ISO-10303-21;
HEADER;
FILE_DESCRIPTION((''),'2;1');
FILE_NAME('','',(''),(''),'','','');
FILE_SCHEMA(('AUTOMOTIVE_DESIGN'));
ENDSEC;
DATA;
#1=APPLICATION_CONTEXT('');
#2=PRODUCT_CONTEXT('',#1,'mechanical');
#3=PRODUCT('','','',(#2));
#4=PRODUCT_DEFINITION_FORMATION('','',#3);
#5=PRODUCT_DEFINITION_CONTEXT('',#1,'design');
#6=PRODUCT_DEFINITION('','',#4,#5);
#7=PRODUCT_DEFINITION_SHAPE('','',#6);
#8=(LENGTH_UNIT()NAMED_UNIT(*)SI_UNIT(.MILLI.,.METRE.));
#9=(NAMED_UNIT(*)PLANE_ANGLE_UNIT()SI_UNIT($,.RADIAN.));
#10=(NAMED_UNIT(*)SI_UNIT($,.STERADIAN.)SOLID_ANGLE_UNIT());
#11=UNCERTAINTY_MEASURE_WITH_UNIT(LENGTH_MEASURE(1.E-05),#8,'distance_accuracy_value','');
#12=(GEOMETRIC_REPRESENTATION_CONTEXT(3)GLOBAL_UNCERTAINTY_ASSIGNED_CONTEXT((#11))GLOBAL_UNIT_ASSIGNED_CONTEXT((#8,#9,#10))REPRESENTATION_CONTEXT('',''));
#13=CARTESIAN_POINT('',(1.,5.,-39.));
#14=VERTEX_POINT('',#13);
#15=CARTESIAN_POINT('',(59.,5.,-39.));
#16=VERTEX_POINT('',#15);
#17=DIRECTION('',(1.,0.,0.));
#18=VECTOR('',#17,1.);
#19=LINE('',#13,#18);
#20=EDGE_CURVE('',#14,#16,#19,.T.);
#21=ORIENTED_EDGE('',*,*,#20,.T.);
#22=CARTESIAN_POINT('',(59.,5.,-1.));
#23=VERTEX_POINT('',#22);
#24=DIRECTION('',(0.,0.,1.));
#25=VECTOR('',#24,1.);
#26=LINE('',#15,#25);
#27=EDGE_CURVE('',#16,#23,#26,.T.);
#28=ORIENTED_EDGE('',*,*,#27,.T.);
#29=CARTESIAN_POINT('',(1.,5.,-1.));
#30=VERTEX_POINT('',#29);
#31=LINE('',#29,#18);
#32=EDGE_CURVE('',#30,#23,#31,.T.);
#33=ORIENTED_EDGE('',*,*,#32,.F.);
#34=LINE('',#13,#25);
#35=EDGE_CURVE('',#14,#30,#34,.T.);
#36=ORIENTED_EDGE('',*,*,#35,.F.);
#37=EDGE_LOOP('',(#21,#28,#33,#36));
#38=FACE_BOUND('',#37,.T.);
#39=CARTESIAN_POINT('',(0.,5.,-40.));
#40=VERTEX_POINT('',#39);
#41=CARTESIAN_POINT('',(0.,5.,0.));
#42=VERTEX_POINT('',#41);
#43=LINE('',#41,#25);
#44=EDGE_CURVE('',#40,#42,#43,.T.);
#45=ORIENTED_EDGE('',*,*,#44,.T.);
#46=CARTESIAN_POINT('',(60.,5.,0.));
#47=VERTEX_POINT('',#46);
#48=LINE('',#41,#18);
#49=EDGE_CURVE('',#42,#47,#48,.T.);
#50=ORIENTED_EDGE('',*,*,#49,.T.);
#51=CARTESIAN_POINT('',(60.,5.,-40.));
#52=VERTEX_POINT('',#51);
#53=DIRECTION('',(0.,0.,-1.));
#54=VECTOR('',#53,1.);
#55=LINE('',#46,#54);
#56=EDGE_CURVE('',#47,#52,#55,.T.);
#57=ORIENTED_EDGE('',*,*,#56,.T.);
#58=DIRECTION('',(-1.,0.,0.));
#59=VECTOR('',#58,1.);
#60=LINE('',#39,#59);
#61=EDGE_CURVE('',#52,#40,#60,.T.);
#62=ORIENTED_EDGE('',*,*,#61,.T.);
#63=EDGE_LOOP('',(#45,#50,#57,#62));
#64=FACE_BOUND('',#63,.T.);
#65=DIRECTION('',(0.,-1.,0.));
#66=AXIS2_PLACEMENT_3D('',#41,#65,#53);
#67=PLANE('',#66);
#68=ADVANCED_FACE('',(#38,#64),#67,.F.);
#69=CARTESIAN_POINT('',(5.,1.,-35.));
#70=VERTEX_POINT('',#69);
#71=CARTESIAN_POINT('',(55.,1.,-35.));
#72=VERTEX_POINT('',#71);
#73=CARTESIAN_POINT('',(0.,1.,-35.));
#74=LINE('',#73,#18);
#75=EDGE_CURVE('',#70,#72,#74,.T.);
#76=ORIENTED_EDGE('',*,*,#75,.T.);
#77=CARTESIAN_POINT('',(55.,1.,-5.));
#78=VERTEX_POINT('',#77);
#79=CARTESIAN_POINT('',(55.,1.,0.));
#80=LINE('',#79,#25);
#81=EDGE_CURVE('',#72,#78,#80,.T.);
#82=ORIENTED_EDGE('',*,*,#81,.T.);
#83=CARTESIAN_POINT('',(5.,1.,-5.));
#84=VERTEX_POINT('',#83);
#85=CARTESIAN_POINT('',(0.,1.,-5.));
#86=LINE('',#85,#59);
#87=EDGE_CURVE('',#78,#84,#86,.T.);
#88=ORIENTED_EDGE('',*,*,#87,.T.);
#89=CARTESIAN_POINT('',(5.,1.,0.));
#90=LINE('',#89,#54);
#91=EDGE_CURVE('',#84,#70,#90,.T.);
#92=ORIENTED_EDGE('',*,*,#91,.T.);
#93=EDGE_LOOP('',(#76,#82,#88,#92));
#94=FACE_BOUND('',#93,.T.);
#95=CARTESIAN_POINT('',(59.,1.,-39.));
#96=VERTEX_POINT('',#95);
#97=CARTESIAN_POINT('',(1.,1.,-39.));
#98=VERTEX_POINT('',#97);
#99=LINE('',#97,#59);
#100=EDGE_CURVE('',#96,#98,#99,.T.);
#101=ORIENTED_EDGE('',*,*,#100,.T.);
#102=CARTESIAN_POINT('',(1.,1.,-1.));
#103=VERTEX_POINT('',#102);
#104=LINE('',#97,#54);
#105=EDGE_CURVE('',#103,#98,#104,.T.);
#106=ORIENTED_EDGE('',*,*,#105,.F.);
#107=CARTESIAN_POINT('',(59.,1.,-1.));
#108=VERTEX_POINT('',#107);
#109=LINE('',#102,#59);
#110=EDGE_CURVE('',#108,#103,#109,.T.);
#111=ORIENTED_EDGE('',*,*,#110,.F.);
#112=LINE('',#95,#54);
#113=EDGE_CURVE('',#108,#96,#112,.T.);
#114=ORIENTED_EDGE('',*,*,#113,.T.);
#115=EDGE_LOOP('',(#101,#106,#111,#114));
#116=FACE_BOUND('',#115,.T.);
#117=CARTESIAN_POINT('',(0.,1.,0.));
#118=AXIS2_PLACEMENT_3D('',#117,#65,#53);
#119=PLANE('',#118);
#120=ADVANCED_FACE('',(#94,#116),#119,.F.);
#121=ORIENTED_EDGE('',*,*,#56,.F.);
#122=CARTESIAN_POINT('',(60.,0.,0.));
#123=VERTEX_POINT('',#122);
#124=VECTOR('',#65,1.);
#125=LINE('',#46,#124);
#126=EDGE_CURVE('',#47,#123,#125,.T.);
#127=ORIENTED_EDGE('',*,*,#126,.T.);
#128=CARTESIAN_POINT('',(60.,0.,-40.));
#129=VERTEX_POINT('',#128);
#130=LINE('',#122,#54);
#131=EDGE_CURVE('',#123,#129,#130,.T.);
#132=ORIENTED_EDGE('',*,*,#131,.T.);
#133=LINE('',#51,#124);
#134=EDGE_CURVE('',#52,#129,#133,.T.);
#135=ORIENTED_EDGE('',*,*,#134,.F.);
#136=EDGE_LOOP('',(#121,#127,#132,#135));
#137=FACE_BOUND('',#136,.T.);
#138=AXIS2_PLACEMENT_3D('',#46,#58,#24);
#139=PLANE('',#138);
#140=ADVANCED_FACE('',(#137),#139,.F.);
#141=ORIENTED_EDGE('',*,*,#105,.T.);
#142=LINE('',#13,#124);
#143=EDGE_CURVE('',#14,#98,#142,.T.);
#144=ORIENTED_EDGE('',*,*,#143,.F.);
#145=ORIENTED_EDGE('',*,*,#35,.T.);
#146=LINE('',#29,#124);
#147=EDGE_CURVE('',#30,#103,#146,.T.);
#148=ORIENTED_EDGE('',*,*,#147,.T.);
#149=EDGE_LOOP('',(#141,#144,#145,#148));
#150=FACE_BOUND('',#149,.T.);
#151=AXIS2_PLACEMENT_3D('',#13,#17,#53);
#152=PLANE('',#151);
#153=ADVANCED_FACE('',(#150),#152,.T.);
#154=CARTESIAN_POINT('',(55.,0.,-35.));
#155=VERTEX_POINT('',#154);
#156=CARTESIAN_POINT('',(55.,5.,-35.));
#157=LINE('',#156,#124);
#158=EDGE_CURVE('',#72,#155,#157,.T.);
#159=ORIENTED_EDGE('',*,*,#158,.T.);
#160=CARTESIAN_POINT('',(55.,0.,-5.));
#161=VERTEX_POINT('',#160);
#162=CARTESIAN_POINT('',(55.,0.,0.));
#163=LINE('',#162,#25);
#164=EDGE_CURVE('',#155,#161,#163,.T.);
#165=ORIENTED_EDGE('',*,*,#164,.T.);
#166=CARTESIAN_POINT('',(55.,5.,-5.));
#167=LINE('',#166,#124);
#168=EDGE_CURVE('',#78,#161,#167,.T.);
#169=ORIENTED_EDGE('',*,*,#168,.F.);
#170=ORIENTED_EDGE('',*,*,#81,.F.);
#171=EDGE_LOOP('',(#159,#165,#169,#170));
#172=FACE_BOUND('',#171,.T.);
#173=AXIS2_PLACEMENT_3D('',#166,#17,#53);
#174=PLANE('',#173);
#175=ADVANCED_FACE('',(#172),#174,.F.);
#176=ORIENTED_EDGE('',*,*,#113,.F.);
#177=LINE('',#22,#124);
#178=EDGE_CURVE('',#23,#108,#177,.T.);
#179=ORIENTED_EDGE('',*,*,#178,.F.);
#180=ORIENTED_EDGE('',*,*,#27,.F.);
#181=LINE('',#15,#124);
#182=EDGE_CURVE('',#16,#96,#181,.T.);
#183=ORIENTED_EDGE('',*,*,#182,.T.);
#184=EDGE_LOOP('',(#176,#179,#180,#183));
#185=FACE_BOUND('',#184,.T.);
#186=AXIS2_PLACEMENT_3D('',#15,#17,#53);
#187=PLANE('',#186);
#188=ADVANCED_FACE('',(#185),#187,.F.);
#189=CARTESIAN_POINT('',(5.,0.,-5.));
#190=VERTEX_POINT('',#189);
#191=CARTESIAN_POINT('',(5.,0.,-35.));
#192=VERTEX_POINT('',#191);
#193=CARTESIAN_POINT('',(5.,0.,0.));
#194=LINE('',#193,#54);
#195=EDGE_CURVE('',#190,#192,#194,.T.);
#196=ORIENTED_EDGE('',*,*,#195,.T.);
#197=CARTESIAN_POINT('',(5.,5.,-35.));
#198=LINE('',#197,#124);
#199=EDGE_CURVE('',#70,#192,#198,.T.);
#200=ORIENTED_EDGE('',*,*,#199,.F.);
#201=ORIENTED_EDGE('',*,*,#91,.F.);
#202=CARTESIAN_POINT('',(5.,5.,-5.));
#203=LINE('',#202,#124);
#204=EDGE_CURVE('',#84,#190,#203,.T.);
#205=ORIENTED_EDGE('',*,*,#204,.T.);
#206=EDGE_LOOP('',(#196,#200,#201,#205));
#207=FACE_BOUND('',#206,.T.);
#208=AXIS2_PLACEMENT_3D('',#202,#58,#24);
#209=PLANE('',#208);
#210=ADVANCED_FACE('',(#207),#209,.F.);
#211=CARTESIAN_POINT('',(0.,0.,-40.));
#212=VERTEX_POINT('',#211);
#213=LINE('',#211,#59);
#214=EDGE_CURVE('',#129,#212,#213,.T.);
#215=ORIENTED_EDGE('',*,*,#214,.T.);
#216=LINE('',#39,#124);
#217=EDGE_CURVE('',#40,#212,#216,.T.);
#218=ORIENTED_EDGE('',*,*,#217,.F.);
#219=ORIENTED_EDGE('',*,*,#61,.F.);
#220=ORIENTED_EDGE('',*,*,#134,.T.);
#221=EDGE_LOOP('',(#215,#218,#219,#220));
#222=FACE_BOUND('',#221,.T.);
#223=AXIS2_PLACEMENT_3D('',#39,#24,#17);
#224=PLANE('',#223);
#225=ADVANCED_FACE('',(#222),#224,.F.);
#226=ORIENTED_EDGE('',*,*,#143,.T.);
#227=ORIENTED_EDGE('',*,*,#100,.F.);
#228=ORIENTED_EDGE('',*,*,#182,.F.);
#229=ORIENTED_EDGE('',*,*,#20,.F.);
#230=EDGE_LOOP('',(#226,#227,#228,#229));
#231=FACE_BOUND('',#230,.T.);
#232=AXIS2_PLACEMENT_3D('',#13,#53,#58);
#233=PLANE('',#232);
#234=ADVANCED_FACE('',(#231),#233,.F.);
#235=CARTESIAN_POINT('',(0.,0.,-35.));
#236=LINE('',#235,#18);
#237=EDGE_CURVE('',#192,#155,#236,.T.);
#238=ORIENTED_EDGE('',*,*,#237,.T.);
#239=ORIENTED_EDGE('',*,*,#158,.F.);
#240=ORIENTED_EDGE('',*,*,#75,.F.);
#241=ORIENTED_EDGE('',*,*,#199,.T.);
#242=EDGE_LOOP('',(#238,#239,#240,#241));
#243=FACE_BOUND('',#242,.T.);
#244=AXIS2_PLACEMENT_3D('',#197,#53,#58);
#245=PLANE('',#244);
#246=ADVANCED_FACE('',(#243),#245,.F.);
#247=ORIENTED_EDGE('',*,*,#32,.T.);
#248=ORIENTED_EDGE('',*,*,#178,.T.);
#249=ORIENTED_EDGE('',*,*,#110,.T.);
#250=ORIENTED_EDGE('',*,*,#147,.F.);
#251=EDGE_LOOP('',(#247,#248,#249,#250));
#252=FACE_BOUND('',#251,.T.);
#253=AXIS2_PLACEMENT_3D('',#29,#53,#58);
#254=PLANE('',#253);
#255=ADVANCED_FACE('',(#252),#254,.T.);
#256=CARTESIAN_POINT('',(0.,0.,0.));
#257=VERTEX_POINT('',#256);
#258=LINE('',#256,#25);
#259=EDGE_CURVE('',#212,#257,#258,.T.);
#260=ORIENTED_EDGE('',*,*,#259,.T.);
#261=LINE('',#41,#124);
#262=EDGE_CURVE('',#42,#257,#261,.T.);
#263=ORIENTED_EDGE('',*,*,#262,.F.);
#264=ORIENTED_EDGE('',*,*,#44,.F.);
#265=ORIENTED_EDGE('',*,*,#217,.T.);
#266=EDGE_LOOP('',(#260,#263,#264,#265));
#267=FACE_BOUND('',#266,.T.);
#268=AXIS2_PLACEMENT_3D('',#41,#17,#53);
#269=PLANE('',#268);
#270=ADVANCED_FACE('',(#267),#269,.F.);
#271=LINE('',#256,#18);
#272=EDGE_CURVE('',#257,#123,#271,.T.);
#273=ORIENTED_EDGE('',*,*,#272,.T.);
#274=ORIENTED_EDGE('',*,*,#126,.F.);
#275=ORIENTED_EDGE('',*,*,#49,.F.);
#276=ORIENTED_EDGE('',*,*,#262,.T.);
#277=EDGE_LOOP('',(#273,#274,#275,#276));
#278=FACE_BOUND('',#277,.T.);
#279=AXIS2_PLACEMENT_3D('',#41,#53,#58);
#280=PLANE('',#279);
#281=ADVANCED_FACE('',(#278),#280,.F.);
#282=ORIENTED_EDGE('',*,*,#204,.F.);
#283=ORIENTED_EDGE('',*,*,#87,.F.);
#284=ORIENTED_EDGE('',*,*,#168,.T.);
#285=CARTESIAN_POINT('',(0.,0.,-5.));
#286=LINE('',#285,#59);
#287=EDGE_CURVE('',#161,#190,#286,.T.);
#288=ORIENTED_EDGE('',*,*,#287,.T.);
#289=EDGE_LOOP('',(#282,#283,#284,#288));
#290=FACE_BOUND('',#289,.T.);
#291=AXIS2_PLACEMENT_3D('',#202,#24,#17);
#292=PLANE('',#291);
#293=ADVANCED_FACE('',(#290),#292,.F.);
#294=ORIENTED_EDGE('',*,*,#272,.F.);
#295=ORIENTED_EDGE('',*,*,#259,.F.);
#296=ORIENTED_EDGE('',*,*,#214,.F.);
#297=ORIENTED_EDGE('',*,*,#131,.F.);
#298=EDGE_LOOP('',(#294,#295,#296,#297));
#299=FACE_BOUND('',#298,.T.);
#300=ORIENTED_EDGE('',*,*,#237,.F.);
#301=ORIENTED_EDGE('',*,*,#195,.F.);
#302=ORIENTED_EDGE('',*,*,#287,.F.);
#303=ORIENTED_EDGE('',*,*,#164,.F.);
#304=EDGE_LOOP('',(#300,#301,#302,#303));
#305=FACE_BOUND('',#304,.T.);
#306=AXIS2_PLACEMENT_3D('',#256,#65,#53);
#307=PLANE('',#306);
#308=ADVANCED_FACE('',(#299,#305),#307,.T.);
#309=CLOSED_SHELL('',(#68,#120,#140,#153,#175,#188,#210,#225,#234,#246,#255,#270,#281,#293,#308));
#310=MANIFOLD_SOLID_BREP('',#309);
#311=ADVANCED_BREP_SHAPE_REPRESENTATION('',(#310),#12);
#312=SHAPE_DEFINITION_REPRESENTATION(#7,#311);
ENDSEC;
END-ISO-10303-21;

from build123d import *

# Parameters (mm, degrees)
SKETCH3_W               = 60
SKETCH3_H               = 40
BOSS_EXTRUDE1_DEPTH     = 5
CUT_EXTRUDE1_DEPTH      = 73.284161474
CUT_EXTRUDE1_DEPTH_BACK = 73.284161474
SKETCH6_W               = 58
SKETCH6_H               = 38
SKETCH7_W               = 60
SKETCH7_H               = 40
BOSS_EXTRUDE2_DEPTH     = 1
CUT_EXTRUDE2_DEPTH      = 73.284161474
CUT_EXTRUDE2_DEPTH_BACK = 73.284161474
SKETCH8_W               = 50
SKETCH8_H               = 30


with BuildPart() as part:
    # Sketch3 → Boss-Extrude1 (new body)
    with BuildSketch(Plane(origin=(0, 0, 0), x_dir=(1, 0, 0), z_dir=(0, 1, 0))):
        with Locations((30, 20)):
            Rectangle(SKETCH3_W, SKETCH3_H)
    extrude(amount=BOSS_EXTRUDE1_DEPTH)

    # Sketch6 → Cut-Extrude1 (cut, two sides: drawn at the far end of the back side and taken through both)
    with BuildSketch(Plane(origin=(0, 0, 0), x_dir=(1, 0, 0), z_dir=(0, 1, 0)).offset(-CUT_EXTRUDE1_DEPTH_BACK)):
        with Locations((30, 20)):
            Rectangle(SKETCH6_W, SKETCH6_H)
    extrude(amount=CUT_EXTRUDE1_DEPTH + CUT_EXTRUDE1_DEPTH_BACK, mode=Mode.SUBTRACT)

    # Sketch7 → Boss-Extrude2 (add)
    with BuildSketch(Plane(origin=(0, 0, 0), x_dir=(1, 0, 0), z_dir=(0, 1, 0))):
        with Locations((30, 20)):
            Rectangle(SKETCH7_W, SKETCH7_H)
    extrude(amount=BOSS_EXTRUDE2_DEPTH)

    # Sketch8 → Cut-Extrude2 (cut, two sides: drawn at the far end of the back side and taken through both)
    with BuildSketch(Plane.XZ.offset(-CUT_EXTRUDE2_DEPTH_BACK)):
        with Locations((30, -20)):
            Rectangle(SKETCH8_W, SKETCH8_H)
    extrude(amount=CUT_EXTRUDE2_DEPTH + CUT_EXTRUDE2_DEPTH_BACK, mode=Mode.SUBTRACT)


solid = part.part
